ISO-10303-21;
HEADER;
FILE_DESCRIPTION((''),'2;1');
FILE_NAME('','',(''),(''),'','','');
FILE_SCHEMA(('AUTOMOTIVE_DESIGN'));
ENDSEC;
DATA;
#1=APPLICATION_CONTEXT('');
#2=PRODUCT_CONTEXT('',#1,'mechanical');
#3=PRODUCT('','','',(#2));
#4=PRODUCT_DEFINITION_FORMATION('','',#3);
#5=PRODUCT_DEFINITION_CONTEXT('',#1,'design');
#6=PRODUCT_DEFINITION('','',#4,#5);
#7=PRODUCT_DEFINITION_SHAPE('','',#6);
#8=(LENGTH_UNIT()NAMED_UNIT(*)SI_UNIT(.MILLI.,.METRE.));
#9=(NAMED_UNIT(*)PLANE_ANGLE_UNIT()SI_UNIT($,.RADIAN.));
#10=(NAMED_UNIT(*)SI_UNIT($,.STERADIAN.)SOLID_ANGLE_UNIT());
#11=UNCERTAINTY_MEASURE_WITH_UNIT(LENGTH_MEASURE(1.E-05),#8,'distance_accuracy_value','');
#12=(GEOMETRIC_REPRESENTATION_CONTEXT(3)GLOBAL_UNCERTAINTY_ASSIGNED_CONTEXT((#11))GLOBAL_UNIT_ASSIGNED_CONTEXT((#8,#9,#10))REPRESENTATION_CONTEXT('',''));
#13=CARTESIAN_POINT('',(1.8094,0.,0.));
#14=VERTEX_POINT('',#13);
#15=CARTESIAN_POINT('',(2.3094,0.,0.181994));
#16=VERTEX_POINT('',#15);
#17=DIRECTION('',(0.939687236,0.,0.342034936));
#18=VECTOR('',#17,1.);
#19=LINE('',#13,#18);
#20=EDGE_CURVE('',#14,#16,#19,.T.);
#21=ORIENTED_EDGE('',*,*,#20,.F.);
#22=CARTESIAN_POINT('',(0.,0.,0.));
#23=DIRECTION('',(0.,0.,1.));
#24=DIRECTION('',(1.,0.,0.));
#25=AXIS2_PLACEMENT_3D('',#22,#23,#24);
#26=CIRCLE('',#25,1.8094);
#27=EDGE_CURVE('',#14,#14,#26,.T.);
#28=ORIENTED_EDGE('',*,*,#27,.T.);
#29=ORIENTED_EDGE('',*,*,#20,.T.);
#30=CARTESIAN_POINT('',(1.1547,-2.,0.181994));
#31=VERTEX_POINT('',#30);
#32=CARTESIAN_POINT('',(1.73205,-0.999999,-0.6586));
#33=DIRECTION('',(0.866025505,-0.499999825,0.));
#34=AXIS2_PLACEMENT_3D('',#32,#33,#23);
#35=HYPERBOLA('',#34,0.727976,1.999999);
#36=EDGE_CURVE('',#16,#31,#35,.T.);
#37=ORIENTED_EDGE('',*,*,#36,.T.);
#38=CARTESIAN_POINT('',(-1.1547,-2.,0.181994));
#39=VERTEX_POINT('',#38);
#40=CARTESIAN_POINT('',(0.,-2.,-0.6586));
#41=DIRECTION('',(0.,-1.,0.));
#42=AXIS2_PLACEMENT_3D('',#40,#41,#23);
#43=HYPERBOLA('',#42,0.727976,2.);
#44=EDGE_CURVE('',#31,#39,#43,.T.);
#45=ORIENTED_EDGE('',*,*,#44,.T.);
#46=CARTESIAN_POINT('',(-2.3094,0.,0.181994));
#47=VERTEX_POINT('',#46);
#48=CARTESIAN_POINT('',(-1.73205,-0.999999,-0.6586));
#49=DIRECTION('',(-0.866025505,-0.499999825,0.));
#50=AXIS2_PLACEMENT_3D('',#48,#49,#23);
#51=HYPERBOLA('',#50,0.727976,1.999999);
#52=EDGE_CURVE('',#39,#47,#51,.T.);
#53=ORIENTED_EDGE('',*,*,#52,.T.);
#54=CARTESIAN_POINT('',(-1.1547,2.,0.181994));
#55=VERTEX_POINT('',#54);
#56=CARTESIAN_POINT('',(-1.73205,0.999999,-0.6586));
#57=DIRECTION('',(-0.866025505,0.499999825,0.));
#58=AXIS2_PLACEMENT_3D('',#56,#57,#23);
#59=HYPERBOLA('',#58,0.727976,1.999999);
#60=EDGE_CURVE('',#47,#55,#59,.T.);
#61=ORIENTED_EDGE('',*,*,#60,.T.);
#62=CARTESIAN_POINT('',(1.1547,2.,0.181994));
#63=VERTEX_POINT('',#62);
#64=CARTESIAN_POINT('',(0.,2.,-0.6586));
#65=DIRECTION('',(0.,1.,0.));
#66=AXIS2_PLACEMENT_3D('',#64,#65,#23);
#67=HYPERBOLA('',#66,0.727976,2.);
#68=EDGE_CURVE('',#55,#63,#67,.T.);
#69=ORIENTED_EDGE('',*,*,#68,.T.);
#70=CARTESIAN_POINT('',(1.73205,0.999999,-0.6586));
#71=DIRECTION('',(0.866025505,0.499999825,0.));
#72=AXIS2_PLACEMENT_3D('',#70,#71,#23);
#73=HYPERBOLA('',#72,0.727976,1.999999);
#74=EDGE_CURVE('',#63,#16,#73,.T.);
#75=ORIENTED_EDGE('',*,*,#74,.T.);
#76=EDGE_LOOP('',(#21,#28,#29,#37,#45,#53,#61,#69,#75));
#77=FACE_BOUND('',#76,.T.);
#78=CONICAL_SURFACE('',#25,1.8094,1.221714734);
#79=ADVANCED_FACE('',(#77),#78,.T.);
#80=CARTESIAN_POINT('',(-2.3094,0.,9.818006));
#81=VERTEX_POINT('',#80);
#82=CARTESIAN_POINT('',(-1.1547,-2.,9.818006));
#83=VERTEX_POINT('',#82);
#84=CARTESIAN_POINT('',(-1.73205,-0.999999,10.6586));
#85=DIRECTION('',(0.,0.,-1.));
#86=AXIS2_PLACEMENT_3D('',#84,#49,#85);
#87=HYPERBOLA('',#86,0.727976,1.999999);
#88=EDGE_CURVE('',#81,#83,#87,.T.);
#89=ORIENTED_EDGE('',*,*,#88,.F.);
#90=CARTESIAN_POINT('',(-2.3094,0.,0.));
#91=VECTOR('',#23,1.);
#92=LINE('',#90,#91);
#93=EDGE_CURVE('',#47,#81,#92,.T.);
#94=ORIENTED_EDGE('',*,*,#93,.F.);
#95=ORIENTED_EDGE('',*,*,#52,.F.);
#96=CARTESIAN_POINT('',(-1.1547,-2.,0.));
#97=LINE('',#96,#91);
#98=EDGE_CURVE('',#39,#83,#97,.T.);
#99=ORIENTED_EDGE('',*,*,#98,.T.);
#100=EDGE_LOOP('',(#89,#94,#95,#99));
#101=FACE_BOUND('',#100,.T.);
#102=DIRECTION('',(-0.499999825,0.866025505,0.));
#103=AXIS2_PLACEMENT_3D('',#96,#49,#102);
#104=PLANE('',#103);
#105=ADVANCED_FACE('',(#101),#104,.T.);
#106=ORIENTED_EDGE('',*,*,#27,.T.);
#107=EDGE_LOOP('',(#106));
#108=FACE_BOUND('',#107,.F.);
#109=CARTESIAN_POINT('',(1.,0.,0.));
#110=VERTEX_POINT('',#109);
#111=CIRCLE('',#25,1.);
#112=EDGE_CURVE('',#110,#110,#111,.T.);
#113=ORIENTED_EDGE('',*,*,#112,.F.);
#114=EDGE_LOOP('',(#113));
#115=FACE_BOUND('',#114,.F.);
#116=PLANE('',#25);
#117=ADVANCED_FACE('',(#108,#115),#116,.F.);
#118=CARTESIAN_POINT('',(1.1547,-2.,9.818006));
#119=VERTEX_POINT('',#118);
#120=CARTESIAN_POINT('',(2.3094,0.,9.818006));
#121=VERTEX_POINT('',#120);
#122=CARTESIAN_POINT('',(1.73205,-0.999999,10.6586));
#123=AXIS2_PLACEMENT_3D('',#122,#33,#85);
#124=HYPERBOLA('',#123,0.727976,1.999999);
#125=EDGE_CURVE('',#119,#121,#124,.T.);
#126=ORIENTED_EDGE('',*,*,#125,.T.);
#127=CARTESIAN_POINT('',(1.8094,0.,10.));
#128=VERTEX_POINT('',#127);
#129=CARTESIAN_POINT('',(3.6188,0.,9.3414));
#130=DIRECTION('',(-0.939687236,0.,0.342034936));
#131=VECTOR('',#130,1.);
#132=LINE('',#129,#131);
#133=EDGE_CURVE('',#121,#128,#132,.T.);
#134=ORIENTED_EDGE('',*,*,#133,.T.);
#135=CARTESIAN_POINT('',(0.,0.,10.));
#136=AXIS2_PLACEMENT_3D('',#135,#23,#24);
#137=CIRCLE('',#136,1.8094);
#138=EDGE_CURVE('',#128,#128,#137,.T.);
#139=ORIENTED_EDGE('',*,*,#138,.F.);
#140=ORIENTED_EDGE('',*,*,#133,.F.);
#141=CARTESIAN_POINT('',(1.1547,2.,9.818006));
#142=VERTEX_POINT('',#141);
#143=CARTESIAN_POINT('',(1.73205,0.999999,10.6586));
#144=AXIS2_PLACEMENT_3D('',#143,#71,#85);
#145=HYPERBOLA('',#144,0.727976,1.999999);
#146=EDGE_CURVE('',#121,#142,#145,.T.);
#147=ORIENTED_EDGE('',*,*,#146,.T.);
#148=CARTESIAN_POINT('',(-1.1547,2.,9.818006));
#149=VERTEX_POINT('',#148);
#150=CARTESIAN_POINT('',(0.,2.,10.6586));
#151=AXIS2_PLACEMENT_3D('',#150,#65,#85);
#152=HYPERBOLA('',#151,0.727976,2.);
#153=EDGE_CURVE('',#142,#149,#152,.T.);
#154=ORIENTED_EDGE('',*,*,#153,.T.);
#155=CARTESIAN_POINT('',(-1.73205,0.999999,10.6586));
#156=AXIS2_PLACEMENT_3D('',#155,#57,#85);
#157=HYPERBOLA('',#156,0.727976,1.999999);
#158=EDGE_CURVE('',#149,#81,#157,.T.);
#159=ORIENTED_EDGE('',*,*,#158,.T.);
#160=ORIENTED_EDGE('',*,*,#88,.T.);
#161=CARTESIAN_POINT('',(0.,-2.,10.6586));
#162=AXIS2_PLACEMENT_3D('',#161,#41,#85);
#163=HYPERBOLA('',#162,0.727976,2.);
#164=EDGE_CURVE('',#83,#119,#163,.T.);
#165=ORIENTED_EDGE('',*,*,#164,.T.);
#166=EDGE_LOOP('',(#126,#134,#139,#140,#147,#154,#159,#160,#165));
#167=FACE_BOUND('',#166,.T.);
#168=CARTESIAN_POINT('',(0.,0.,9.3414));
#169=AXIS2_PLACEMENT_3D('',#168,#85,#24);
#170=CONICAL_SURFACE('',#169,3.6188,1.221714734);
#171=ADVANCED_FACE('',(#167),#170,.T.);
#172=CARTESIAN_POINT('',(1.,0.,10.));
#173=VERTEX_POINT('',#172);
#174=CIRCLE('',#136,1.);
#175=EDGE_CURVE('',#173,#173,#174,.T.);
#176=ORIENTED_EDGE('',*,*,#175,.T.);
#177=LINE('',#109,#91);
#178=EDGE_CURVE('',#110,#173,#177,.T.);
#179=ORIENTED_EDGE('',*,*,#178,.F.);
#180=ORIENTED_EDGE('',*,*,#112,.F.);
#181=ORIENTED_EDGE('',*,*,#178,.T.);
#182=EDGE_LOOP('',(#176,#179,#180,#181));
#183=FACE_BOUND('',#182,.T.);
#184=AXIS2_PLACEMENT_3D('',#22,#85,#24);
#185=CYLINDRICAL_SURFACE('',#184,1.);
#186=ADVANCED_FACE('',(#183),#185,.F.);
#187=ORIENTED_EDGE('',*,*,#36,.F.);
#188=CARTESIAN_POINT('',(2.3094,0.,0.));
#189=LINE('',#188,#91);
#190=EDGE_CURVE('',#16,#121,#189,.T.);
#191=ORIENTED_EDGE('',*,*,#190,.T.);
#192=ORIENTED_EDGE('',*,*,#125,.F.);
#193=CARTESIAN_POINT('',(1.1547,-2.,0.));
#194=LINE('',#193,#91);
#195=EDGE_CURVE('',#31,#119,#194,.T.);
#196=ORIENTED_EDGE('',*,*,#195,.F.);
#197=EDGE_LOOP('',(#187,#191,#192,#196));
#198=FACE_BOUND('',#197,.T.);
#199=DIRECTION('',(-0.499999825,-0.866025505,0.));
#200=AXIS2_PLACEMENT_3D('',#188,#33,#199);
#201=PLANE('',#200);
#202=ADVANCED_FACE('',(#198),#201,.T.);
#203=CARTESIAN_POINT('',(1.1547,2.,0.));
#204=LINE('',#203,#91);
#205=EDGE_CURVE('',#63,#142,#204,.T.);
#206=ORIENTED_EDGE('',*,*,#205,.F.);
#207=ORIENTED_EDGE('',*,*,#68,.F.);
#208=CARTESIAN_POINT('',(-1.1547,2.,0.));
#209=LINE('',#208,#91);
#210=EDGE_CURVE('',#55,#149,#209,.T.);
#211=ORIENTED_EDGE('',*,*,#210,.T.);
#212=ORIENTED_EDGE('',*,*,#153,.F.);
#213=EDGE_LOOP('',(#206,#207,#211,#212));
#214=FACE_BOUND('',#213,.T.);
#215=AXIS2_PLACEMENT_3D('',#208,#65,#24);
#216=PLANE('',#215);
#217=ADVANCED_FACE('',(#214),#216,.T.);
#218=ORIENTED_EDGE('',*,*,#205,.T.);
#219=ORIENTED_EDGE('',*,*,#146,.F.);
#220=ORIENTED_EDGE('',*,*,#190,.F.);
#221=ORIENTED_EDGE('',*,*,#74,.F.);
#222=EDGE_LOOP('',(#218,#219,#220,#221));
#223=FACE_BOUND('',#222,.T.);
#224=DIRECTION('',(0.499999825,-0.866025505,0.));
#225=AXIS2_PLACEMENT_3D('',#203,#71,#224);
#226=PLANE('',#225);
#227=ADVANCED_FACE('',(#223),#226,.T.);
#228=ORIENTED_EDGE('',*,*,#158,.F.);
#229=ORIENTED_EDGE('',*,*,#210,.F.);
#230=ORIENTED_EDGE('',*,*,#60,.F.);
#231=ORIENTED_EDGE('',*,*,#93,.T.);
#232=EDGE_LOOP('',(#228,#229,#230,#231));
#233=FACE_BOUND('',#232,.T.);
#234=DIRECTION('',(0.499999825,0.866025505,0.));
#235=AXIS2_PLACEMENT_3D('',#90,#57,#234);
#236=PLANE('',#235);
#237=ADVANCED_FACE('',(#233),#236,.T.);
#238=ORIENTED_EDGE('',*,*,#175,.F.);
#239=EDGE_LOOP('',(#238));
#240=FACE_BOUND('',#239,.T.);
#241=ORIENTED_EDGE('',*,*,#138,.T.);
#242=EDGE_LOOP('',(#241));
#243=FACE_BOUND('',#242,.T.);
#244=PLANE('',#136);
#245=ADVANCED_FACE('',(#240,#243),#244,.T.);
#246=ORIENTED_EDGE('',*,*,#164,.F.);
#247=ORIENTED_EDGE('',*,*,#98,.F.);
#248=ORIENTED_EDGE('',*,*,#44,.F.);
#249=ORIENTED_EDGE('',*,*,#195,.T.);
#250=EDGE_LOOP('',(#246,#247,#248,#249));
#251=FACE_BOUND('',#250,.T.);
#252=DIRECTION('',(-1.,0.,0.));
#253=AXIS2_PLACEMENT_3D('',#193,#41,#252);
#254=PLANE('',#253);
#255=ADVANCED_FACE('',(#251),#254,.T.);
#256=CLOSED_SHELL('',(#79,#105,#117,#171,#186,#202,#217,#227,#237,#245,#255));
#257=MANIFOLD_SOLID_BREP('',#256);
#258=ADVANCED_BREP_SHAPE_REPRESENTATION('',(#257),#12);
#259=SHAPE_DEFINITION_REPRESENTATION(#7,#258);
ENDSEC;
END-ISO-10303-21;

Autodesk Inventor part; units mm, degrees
ref_plane "YZ Plane" through (0, 0, 0) normal (1, 0, 0) x (0, 1, 0)
ref_plane "XZ Plane" through (0, 0, 0) normal (0, 1, 0) x (-1, 0, 0)
ref_plane "XY Plane" through (0, 0, 0) normal (0, 0, 1) x (1, 0, 0)
sketch "Skizze1" plane through (0, 0, 0) normal (0, 0, 1) x (1, 0, 0)
  line L0 (-3.2332, 0) -> (3.2332, 0) construction
  line L1 (0, -2.8) -> (0, 2.8) construction
  circle A0 centre (0, 0) radius 2 construction
  line L2 (1.1547, 2) -> (2.3094, 0)
  line L3 (2.3094, 0) -> (1.1547, -2)
  line L4 (1.1547, -2) -> (-1.1547, -2)
  line L5 (-1.1547, -2) -> (-2.3094, 0)
  line L6 (-2.3094, 0) -> (-1.1547, 2)
  line L7 (-1.1547, 2) -> (1.1547, 2)
  circle A1 centre (0, 0) radius 1
  point P0 (0, 2)
  dimension "d0" = 4
  dimension "d1" = 2
extrude "Extrusion1" add sketch "Skizze1" along normal blind 10
sketch "Skizze2" plane through (0, 0, 0) normal (0, 1, 0) x (-1, 0, 0)
  line L0 (1.1547, 10) -> (-1.1547, 10) projected
  line L1 (-1.1547, 10) -> (-2.3094, 10) projected
  line L2 (2.3094, 10) -> (1.1547, 10) projected
  line L3 (2.3094, 0) -> (1.1547, 0) projected
  line L4 (1.1547, 0) -> (-1.1547, 0) projected
  line L5 (-1.1547, 0) -> (-2.3094, 0) projected
  line L6 (-1.8094, 10) -> (-3.6188, 10)
  line L7 (-3.6188, 10) -> (-3.6188, 9.3414)
  line L8 (-3.6188, 9.3414) -> (-1.8094, 10)
  line L9 (-1.8094, 0) -> (-3.6188, 0.6586)
  line L10 (-3.6188, 0.6586) -> (-3.6188, 0)
  line L11 (-3.6188, 0) -> (-1.8094, 0)
  line L12 (0, -2) -> (0, 12) projected
  point P0 (0, 0)
  dimension "d4" = 20
  dimension "d5" = 0.5
revolve "Umdrehung1" cut sketch "Skizze2" angle 360 about axis through (0, 0, -10) along (0, 0, 1)
properties part number "Hex Spacer 10mm"
